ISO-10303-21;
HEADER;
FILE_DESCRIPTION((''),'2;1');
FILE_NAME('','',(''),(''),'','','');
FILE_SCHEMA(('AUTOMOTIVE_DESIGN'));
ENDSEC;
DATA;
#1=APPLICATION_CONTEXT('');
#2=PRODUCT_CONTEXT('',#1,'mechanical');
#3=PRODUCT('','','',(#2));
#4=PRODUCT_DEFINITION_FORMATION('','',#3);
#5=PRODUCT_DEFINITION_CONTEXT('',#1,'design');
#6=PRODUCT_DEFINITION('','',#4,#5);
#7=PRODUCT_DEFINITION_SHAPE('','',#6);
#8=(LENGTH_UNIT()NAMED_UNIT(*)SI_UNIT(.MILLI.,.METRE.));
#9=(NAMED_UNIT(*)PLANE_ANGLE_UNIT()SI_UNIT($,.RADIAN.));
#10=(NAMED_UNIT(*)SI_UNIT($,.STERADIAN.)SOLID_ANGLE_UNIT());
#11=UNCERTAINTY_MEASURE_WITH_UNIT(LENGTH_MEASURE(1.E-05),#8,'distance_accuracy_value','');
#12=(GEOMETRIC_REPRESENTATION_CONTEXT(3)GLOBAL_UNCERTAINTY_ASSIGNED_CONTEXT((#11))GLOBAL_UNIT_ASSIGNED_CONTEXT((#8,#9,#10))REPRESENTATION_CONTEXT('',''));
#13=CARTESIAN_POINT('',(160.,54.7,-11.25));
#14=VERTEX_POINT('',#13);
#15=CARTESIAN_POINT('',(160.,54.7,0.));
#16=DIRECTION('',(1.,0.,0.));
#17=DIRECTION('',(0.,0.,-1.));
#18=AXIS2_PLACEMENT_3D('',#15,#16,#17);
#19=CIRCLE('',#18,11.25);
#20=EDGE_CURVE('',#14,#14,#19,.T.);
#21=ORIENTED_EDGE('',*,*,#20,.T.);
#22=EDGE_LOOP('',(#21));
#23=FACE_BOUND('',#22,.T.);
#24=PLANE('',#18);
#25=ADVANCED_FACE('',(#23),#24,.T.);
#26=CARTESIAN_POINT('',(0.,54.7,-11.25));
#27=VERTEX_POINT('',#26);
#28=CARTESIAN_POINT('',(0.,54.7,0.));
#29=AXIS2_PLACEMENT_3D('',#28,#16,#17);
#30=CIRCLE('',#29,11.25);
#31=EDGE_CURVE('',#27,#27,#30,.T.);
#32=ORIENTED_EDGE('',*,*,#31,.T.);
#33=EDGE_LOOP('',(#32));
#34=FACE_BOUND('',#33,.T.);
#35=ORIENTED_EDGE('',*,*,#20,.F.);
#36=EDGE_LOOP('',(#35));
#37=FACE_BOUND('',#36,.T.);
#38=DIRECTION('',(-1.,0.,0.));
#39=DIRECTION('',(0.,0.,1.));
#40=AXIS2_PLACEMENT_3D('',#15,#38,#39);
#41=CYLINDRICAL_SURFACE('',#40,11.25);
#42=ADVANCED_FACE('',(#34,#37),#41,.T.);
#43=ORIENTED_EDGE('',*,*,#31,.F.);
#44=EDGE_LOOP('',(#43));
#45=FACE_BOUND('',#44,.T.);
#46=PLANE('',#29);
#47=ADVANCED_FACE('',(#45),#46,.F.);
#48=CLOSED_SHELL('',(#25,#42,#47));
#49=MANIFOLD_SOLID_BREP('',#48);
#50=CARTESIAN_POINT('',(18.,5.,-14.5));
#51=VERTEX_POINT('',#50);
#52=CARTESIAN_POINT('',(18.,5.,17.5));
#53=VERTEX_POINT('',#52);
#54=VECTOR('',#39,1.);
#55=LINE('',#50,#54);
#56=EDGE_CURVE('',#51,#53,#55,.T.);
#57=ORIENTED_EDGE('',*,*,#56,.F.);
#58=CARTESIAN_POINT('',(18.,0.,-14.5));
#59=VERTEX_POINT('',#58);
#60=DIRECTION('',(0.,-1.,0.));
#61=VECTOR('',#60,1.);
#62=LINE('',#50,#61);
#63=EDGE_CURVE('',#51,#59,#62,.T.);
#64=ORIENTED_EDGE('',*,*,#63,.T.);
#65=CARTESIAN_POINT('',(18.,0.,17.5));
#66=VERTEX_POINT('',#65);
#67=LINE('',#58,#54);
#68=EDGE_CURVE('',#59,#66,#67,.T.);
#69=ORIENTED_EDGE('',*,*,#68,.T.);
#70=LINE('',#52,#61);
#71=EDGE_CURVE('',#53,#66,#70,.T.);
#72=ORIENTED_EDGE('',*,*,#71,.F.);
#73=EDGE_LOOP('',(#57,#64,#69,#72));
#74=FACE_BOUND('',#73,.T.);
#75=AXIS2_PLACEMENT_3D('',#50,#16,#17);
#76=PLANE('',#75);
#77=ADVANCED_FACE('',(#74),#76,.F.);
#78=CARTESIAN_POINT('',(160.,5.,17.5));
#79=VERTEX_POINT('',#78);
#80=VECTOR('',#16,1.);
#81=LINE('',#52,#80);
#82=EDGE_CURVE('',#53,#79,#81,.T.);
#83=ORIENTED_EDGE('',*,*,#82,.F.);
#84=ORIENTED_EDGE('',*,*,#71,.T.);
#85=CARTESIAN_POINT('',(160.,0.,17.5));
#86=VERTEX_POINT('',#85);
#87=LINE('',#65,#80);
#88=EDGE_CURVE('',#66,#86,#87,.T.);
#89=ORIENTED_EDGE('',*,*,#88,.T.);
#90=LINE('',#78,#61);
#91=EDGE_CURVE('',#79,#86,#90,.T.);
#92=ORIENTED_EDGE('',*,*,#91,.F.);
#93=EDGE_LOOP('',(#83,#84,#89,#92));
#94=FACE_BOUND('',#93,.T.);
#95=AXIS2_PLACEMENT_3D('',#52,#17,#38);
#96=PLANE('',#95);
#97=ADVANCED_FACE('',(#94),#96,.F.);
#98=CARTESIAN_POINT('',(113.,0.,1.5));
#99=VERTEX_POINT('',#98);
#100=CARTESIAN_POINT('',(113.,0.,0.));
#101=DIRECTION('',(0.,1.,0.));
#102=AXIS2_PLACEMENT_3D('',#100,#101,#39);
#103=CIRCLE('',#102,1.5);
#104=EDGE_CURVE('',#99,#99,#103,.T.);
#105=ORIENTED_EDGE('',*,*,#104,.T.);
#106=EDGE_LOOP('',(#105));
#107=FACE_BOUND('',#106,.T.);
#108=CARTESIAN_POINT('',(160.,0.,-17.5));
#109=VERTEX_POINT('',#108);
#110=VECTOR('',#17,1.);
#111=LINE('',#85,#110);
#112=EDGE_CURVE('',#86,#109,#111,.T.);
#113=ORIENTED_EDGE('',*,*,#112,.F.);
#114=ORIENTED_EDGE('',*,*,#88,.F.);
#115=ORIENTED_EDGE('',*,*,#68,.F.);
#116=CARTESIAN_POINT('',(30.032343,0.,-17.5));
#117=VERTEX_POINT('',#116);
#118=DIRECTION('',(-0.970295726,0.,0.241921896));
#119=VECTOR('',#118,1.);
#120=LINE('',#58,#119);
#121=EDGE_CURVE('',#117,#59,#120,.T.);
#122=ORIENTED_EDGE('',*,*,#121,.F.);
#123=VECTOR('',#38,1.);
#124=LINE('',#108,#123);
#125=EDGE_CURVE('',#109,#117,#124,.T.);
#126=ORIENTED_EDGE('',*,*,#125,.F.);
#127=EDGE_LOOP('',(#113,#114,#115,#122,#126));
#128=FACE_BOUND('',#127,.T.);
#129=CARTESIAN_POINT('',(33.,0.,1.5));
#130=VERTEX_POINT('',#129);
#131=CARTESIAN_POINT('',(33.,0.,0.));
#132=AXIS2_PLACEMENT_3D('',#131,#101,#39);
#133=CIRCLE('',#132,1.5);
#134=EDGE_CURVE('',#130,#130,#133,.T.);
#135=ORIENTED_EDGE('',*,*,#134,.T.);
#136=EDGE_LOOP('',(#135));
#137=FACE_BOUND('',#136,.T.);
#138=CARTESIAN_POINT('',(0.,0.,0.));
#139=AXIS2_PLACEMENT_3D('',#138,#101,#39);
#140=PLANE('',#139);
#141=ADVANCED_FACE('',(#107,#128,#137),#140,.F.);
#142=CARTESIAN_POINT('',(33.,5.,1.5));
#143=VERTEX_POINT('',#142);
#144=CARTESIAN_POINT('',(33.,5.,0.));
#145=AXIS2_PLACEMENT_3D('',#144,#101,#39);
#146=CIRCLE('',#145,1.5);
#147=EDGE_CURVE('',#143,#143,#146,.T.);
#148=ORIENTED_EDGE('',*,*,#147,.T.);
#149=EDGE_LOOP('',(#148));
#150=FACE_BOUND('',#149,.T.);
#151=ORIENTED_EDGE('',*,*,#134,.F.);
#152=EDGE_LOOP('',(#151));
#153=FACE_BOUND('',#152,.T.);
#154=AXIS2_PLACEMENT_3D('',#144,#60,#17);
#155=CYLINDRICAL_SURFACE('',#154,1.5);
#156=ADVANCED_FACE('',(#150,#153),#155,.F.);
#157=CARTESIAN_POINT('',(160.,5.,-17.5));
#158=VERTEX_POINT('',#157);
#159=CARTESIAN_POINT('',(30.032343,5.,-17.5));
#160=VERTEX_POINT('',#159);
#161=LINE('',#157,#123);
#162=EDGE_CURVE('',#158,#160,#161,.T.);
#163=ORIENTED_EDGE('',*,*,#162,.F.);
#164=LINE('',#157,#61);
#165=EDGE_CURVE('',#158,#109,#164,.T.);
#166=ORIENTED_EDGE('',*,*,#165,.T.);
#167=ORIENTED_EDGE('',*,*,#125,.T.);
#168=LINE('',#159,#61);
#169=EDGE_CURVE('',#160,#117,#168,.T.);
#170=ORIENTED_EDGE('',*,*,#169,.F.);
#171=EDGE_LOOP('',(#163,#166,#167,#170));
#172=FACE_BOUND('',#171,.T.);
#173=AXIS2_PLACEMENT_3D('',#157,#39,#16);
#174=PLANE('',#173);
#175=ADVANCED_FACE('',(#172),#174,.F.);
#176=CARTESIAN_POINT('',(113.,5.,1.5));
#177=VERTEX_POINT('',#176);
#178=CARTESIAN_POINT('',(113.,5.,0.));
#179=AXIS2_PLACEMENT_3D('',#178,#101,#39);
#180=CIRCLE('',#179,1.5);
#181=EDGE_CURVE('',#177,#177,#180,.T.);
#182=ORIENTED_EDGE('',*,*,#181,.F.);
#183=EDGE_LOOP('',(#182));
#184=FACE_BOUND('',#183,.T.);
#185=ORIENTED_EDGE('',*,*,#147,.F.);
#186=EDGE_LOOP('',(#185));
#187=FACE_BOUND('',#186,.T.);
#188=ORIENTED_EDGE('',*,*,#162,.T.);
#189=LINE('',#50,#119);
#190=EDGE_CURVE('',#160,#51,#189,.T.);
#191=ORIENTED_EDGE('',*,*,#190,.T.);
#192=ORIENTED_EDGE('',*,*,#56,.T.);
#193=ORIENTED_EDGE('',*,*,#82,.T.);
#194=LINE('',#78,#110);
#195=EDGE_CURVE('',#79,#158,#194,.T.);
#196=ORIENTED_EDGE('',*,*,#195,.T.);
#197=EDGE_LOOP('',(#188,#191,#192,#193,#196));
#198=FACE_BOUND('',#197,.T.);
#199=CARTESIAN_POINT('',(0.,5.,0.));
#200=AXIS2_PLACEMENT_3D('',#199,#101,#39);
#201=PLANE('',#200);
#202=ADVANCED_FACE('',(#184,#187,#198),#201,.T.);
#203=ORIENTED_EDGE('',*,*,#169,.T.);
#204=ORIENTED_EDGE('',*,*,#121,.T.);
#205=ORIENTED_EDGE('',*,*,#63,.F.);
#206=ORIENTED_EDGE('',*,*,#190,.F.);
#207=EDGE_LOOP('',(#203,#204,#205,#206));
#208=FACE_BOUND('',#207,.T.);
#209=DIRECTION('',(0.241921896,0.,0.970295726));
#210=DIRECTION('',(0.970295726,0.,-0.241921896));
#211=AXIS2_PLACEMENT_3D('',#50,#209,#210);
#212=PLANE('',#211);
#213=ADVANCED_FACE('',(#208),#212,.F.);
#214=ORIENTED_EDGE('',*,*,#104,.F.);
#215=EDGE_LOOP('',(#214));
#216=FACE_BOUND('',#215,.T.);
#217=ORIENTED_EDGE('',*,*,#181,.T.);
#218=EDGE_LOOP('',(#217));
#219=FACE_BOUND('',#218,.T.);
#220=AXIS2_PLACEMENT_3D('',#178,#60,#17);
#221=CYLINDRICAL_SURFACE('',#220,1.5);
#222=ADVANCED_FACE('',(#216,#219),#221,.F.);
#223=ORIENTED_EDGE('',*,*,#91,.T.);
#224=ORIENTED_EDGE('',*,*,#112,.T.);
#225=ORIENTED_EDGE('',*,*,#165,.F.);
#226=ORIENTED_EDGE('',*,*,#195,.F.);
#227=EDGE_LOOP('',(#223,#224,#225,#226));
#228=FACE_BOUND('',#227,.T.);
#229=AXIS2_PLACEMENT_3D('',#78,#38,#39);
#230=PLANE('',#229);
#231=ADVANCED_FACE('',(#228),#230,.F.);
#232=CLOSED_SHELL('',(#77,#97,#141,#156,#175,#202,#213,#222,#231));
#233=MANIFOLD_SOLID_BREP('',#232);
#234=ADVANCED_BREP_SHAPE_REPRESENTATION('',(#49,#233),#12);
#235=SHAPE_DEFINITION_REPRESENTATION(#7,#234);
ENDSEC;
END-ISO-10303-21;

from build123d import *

# Parameters (mm, degrees)
SKETCH1_R           = 11.25
BOSS_EXTRUDE1_DEPTH = 160
SKETCH3_R           = 1.5
BOSS_EXTRUDE2_DEPTH = 5


with BuildPart() as part:
    # Sketch1 → Boss-Extrude1 (new body)
    with BuildSketch(Plane(origin=(0, 0, 0), x_dir=(0, 0, -1), z_dir=(1, 0, 0))):
        with Locations((0, 54.7)):
            Circle(SKETCH1_R)
    extrude(amount=BOSS_EXTRUDE1_DEPTH)


with BuildPart() as body_2:
    # Sketch3 → Boss-Extrude2 (new body)
    with BuildSketch(Plane(origin=(0, 0, 0), x_dir=(1, 0, 0), z_dir=(0, 1, 0))):
        Polygon((160, 17.5), (30.032342801, 17.5), (18, 14.5), (18, -17.5), (160, -17.5), align=None)
        with Locations(Location((33, 0, 0), (0, 0, 270))):
            Circle(SKETCH3_R, mode=Mode.SUBTRACT)
        with Locations(Location((113, 0, 0), (0, 0, 270))):
            Circle(SKETCH3_R, mode=Mode.SUBTRACT)
    extrude(amount=BOSS_EXTRUDE2_DEPTH)


solid = Compound([part.part, body_2.part])
